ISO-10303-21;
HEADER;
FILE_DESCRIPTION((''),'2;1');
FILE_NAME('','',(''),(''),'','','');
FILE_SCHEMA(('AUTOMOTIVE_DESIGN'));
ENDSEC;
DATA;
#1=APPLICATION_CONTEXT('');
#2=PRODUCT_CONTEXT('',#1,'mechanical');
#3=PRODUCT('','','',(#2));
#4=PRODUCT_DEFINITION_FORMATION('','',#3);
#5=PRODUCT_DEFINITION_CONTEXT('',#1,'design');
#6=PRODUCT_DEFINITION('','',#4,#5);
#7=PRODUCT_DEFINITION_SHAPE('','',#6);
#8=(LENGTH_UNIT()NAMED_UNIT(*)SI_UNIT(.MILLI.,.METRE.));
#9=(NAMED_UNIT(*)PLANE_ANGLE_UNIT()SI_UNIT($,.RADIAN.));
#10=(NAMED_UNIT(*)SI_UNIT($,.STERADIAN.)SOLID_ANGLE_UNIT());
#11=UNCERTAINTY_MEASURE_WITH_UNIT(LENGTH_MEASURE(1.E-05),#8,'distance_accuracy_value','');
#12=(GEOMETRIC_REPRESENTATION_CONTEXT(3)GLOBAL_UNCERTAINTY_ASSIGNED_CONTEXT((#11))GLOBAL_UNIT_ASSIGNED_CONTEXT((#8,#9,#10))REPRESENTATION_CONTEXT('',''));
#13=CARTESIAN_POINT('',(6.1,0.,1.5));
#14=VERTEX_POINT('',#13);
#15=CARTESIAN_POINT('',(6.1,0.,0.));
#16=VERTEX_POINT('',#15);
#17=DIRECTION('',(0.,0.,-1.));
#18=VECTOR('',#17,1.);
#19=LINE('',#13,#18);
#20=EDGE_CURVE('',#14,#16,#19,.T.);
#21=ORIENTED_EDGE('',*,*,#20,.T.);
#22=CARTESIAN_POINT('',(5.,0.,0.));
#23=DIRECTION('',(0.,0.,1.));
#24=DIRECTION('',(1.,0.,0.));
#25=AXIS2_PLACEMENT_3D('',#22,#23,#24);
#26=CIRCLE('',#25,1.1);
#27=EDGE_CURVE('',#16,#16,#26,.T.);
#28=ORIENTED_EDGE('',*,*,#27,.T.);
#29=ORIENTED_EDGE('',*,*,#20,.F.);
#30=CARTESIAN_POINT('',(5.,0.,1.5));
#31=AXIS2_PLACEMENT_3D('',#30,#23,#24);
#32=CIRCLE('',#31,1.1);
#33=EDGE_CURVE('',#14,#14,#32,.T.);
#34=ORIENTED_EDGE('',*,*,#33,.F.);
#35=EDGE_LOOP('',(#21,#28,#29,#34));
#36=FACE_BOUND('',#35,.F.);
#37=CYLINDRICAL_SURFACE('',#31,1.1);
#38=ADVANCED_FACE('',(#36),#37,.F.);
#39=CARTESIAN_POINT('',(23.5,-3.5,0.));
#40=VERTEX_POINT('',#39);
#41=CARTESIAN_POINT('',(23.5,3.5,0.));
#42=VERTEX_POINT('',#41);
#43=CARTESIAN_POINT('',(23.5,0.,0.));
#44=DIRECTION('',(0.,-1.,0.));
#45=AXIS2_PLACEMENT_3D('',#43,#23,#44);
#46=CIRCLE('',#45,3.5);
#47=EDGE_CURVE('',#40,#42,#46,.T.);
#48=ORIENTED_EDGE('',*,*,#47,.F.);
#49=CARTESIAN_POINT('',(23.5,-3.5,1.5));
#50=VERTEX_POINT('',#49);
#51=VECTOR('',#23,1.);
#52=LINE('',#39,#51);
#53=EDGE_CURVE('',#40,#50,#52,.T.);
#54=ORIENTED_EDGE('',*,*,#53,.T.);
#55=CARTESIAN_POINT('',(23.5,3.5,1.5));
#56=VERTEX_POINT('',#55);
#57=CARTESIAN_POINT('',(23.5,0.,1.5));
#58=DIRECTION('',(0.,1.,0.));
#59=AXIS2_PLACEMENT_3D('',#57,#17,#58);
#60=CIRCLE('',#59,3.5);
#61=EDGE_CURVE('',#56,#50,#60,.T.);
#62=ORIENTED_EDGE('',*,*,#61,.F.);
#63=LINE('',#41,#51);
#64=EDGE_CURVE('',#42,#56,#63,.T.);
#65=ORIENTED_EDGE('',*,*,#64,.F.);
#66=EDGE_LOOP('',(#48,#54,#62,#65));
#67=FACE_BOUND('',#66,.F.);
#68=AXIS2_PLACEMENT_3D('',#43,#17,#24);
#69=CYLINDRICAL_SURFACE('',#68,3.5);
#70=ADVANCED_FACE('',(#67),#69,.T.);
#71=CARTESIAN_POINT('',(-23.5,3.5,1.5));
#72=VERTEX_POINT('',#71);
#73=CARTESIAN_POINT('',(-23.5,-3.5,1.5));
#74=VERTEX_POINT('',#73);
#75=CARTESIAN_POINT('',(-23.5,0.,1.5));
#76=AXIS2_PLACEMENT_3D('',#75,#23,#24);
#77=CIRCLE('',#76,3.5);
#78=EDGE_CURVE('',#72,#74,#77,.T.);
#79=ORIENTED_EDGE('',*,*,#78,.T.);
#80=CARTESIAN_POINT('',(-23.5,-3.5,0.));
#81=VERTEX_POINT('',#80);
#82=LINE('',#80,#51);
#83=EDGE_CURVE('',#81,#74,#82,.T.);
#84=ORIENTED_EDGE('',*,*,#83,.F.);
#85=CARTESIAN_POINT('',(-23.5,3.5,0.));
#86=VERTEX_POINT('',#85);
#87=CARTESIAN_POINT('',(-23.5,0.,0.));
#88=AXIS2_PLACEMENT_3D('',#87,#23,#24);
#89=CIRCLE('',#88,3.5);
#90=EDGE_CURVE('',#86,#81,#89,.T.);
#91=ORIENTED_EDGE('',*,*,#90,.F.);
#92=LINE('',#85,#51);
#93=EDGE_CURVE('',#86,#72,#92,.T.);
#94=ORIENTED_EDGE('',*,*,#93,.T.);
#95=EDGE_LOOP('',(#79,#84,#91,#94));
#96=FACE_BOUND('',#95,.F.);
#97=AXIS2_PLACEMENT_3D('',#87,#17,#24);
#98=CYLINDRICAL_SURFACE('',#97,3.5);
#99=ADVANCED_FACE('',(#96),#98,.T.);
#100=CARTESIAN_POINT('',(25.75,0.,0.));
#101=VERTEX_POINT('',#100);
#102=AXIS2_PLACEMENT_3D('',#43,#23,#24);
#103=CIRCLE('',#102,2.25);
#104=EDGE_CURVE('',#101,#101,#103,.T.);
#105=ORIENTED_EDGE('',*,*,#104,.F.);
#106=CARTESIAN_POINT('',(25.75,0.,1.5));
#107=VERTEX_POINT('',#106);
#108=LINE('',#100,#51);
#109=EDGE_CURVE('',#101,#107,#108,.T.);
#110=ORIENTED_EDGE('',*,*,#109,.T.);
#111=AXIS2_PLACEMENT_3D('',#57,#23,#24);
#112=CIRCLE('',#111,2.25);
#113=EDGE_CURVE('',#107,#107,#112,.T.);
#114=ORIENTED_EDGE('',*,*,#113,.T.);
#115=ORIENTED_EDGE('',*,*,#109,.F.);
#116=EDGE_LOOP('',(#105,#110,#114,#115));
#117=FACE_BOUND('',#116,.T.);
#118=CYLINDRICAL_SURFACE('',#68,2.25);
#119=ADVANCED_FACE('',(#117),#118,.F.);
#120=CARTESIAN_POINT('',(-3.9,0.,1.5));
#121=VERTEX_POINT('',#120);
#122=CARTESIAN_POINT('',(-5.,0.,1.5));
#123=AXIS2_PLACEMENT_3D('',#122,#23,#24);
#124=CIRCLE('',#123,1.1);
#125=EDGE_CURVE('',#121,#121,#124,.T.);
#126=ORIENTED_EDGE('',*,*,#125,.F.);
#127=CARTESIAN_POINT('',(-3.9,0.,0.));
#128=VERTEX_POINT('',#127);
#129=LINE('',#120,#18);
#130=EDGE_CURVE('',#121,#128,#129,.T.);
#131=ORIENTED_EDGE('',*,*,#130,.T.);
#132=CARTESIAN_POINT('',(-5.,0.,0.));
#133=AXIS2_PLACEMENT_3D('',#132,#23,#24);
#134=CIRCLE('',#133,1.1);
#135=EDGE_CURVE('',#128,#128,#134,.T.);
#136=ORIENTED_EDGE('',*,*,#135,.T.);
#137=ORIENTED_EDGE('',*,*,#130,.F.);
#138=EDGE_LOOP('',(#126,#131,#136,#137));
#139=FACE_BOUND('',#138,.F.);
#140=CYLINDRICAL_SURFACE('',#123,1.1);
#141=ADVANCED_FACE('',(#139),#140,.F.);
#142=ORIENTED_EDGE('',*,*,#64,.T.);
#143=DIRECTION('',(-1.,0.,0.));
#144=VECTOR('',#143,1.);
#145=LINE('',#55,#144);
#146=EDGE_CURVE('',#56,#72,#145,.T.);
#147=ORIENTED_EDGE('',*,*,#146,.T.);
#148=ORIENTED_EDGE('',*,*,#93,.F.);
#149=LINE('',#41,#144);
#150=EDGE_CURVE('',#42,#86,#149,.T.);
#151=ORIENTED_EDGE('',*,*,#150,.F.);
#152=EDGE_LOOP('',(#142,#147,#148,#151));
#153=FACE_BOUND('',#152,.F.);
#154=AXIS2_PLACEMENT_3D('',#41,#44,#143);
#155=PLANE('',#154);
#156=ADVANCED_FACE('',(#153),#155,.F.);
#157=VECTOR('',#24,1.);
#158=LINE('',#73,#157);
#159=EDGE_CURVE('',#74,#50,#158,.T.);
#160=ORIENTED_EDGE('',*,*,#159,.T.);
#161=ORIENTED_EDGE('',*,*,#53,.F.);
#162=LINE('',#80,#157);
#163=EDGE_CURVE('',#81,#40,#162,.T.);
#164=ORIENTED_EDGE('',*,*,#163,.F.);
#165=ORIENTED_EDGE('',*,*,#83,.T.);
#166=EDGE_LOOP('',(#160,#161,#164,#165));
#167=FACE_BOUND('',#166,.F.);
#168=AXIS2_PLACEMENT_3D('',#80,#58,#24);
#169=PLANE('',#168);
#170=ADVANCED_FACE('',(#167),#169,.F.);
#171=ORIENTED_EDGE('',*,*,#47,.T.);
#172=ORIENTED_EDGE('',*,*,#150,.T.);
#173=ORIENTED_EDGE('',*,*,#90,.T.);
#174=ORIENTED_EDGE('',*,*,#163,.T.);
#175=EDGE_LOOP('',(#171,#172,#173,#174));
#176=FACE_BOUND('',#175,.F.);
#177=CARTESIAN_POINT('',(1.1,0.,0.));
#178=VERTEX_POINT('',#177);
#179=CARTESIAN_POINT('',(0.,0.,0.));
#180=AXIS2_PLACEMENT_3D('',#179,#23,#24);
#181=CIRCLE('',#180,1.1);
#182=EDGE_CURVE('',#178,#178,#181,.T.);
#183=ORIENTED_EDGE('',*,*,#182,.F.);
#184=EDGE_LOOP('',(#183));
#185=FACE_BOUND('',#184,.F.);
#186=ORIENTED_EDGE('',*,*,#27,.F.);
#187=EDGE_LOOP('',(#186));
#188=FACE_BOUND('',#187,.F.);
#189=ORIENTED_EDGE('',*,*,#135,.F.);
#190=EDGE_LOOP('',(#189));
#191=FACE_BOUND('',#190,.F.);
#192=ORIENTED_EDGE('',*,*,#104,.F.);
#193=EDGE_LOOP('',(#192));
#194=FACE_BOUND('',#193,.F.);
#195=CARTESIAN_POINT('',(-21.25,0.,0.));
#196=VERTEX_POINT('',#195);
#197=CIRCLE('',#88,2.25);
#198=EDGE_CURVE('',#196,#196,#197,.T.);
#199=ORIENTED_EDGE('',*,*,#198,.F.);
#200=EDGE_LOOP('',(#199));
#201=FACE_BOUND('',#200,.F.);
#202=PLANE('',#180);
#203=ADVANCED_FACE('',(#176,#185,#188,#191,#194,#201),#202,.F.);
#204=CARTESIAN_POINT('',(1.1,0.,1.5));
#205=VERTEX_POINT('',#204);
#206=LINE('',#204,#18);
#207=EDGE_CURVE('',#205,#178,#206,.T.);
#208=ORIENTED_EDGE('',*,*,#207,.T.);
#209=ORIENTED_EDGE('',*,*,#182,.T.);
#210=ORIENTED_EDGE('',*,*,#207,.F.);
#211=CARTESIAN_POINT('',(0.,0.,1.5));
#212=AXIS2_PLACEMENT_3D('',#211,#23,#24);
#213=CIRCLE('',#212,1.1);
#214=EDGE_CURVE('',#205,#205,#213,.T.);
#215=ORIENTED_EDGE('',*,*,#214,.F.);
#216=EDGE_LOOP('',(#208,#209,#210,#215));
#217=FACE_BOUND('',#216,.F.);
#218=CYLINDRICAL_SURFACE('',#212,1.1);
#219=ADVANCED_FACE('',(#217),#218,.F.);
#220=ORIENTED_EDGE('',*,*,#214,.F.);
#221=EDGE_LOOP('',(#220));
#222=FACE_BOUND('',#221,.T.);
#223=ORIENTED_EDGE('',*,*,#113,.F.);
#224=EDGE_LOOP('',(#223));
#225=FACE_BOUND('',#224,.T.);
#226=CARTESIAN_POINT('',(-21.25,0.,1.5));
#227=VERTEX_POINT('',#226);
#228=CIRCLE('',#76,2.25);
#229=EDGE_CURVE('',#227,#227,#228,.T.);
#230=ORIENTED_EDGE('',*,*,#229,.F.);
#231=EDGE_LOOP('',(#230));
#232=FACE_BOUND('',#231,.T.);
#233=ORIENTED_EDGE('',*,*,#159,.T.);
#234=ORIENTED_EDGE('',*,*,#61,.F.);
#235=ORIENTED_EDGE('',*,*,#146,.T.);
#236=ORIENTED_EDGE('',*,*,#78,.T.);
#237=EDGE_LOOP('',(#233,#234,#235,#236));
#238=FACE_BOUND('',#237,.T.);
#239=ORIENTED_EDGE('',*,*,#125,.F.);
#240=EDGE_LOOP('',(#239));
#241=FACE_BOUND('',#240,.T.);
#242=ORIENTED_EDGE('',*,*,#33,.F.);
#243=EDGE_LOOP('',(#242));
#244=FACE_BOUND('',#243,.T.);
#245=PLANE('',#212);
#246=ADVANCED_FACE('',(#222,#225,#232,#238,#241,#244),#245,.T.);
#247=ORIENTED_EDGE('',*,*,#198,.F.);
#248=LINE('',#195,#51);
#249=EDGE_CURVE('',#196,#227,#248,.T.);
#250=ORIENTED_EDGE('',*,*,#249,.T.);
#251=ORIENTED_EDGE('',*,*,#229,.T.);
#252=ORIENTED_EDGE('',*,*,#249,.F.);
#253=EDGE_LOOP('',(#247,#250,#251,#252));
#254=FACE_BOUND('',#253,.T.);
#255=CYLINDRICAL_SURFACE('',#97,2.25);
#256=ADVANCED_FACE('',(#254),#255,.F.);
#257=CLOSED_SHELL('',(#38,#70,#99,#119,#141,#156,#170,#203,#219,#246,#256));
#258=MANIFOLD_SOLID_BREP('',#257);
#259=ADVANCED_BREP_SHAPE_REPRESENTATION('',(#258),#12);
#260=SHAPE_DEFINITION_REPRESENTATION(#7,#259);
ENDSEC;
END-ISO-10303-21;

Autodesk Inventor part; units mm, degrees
ref_plane "YZ Plane" through (0, 0, 0) normal (1, 0, 0) x (0, 1, 0)
ref_plane "XZ Plane" through (0, 0, 0) normal (0, 1, 0) x (-1, 0, 0)
ref_plane "XY Plane" through (0, 0, 0) normal (0, 0, 1) x (1, 0, 0)
sketch "スケッチ1" plane through (0, 0, 0) normal (0, 0, 1) x (1, 0, 0)
  line L0 (-23.5, -3.5) -> (23.5, -3.5)
  line L1 (23.5, -3.5) -> (23.5, 3.5) construction
  line L2 (23.5, 3.5) -> (-23.5, 3.5)
  line L3 (-23.5, 3.5) -> (-23.5, -3.5) construction
  line L4 (-23.5, -3.5) -> (23.5, 3.5) construction
  line L5 (23.5, -3.5) -> (-23.5, 3.5) construction
  circle A0 centre (-23.5, 0) radius 3.5
  line L6 (0, 3.5) -> (0, -3.5) construction
  circle A1 centre (23.5, 0) radius 3.5
  circle A2 centre (-23.5, 0) radius 2.25
  circle A3 centre (23.5, 0) radius 2.25
  point P0 (0, 0)
  point P1 (23.5, -3.5)
  point P2 (23.5, 3.5)
  dimension "d0" = 7
  dimension "d1" = 47
  dimension "d2" = 4.5
extrude "押し出し1" add sketch "スケッチ1" along normal blind 1.5
sketch "スケッチ2" plane through (0, 0, 1.5) normal (0, 0, 1) x (1, 0, 0)
  circle A0 centre (23.5, 0) radius 2.25 construction
  circle A1 centre (-23.5, 0) radius 2.25 construction
  line L0 (23.5, 0) -> (-23.5, 0) construction
  circle A2 centre (0, 0) radius 1.1
  circle A3 centre (-5, 0) radius 1.1
  circle A4 centre (-10, 0) radius 1.1
  circle A5 centre (-15, 0) radius 1.1
  circle A6 centre (-20, 0) radius 1.1
  circle A7 centre (5, 0) radius 1.1
  circle A8 centre (0, 0) radius 1.1
  circle A9 centre (-5, 0) radius 1.1
  circle A10 centre (-10, 0) radius 1.1
  circle A11 centre (-15, 0) radius 1.1
  circle A12 centre (10, 0) radius 1.1
  circle A13 centre (5, 0) radius 1.1
  circle A14 centre (0, 0) radius 1.1
  circle A15 centre (-5, 0) radius 1.1
  circle A16 centre (-10, 0) radius 1.1
  circle A17 centre (15, 0) radius 1.1
  circle A18 centre (10, 0) radius 1.1
  circle A19 centre (5, 0) radius 1.1
  circle A20 centre (0, 0) radius 1.1
  circle A21 centre (-5, 0) radius 1.1
  circle A22 centre (20, 0) radius 1.1
  circle A23 centre (15, 0) radius 1.1
  circle A24 centre (10, 0) radius 1.1
  circle A25 centre (5, 0) radius 1.1
  circle A26 centre (0, 0) radius 1.1
  dimension "d5" = 2.2
  dimension "d8" = 5
  dimension "d11" = 5
extrude "押し出し2" cut sketch "スケッチ2" against normal through all contours A2 | A3 | A7
properties part number "free_link" material "アルミニウム 2014-T4"
